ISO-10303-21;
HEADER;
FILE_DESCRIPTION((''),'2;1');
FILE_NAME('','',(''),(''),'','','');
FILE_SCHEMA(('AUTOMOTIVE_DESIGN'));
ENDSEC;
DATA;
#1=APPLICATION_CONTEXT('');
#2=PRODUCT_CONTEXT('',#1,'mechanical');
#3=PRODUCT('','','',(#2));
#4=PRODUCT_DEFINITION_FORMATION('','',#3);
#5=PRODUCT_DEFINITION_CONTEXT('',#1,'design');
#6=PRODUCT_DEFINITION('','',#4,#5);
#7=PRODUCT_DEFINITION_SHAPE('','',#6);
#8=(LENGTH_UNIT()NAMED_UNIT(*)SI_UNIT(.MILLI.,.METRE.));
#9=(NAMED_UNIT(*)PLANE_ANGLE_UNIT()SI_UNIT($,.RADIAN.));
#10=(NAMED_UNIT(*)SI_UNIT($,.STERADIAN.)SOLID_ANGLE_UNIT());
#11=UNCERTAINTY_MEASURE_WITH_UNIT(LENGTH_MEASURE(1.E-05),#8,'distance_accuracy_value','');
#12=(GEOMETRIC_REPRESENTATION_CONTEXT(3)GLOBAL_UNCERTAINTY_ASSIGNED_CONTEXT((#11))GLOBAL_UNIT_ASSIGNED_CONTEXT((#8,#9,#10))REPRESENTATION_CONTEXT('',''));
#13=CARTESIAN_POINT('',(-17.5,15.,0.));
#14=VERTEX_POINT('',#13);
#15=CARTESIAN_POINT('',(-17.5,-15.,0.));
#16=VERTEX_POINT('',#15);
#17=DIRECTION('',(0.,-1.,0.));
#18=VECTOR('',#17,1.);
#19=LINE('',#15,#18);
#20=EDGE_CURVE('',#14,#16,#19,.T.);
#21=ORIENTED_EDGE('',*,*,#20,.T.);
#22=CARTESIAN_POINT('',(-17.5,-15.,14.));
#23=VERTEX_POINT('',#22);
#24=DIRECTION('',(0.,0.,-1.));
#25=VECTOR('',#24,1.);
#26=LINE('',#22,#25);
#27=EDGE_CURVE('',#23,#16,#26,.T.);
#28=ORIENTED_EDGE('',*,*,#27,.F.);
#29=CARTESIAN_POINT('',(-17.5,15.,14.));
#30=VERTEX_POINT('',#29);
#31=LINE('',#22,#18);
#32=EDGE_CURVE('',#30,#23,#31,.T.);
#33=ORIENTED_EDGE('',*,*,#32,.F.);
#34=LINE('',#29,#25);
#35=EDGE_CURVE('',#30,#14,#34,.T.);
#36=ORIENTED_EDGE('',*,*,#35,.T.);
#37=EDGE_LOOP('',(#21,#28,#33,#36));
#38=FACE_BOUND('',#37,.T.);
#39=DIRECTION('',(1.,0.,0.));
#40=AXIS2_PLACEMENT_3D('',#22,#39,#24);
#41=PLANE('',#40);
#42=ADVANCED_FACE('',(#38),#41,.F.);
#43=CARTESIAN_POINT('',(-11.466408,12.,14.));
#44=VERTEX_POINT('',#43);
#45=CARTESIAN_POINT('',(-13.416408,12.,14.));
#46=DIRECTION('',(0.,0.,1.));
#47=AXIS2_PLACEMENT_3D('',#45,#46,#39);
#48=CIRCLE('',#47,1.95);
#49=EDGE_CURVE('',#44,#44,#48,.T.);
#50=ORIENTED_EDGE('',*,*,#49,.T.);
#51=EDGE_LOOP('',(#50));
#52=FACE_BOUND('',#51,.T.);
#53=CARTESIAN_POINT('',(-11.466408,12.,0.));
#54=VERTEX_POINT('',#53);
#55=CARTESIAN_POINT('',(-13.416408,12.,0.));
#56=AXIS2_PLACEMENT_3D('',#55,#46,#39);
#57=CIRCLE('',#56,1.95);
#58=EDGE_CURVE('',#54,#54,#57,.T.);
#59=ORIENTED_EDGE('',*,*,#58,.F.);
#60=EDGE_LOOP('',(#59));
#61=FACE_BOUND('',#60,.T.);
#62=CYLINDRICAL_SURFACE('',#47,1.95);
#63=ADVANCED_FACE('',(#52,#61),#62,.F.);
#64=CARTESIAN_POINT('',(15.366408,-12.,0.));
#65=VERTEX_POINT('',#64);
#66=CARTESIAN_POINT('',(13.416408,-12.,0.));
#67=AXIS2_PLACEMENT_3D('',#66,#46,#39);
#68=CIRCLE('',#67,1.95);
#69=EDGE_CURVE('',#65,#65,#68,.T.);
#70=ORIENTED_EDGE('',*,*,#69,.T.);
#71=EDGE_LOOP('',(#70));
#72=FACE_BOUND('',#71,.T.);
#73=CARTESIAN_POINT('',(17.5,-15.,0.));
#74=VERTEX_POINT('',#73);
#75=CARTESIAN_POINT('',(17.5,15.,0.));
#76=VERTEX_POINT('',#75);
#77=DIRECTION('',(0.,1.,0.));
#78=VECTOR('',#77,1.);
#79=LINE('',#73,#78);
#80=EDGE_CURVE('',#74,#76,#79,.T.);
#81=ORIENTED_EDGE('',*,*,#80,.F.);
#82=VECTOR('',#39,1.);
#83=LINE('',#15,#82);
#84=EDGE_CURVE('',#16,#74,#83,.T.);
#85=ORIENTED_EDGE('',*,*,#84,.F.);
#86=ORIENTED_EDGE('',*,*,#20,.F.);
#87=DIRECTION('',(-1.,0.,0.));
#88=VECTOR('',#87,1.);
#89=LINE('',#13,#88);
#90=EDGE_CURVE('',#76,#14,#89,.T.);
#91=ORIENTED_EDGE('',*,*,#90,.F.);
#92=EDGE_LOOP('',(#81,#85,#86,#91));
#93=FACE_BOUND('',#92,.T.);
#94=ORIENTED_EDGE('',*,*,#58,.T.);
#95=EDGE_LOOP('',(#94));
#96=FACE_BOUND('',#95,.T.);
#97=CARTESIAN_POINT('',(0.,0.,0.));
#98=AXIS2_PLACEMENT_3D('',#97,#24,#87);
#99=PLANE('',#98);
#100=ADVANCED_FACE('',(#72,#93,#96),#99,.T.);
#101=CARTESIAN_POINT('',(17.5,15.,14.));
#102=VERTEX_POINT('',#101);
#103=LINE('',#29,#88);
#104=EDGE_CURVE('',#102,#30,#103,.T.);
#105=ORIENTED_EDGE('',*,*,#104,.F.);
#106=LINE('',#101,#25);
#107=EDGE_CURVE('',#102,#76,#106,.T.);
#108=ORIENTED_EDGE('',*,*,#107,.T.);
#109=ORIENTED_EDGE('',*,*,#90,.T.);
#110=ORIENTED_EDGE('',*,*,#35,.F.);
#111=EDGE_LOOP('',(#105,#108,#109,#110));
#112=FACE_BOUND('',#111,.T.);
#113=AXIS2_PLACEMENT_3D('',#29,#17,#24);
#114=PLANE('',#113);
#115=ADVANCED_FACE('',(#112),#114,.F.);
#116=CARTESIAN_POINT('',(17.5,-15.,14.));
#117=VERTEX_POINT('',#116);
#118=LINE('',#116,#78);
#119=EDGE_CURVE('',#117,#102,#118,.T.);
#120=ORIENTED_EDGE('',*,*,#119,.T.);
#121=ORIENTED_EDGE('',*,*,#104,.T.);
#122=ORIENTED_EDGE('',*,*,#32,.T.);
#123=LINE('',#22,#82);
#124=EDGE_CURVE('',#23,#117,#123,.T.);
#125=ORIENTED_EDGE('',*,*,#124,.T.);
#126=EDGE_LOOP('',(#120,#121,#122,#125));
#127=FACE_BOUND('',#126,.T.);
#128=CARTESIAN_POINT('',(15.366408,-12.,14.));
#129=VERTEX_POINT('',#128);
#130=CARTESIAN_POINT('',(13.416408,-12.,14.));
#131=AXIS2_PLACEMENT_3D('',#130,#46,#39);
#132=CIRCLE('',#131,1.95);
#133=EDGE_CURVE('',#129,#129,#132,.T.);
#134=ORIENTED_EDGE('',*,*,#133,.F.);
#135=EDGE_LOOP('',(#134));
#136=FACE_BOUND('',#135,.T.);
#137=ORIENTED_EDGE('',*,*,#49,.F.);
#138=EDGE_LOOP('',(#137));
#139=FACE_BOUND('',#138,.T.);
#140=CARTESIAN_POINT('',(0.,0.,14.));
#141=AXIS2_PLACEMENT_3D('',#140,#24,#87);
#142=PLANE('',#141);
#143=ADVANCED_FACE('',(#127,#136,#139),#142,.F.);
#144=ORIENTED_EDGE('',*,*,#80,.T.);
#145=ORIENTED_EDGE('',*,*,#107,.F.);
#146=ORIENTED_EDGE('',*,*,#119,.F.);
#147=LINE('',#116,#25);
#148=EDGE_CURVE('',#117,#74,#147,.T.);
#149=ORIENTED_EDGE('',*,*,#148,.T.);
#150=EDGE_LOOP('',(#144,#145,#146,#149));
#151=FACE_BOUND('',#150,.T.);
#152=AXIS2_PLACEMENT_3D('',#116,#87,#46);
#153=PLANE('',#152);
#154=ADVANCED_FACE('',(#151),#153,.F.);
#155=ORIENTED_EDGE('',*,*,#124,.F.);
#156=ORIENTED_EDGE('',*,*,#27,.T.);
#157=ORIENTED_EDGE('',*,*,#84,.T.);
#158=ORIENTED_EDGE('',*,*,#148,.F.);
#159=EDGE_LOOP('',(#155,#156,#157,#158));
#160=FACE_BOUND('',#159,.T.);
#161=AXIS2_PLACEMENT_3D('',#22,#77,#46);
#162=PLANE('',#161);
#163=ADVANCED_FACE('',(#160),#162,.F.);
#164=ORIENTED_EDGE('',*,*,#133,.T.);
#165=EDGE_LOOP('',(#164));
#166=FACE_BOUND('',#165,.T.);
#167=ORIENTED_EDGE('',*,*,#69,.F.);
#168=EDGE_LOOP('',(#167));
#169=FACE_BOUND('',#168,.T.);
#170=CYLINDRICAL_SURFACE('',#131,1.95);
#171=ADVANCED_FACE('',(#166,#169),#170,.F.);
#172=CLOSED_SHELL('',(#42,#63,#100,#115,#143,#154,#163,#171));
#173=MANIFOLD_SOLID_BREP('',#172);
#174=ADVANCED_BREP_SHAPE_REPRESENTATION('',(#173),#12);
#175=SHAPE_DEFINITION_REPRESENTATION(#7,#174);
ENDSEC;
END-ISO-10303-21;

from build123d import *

# Parameters (mm, degrees)
ESQUISSE1_W        = 35
ESQUISSE1_H        = 30
BOSS_EXTRU_1_DEPTH = 14
D_GAGEMENT_M3_51_D = 3.9


with BuildPart() as part:
    # Esquisse1 → Boss.-Extru.1 (new body)
    with BuildSketch(Plane.XY):
        Rectangle(ESQUISSE1_W, ESQUISSE1_H)
    extrude(amount=BOSS_EXTRU_1_DEPTH)

    # Dégagement M3.51 (through all)
    with Locations(Plane.XY.offset(14)):
        with Locations((-13.416407865, 12), (13.416407865, -12)):
            Hole(D_GAGEMENT_M3_51_D / 2)


solid = part.part
